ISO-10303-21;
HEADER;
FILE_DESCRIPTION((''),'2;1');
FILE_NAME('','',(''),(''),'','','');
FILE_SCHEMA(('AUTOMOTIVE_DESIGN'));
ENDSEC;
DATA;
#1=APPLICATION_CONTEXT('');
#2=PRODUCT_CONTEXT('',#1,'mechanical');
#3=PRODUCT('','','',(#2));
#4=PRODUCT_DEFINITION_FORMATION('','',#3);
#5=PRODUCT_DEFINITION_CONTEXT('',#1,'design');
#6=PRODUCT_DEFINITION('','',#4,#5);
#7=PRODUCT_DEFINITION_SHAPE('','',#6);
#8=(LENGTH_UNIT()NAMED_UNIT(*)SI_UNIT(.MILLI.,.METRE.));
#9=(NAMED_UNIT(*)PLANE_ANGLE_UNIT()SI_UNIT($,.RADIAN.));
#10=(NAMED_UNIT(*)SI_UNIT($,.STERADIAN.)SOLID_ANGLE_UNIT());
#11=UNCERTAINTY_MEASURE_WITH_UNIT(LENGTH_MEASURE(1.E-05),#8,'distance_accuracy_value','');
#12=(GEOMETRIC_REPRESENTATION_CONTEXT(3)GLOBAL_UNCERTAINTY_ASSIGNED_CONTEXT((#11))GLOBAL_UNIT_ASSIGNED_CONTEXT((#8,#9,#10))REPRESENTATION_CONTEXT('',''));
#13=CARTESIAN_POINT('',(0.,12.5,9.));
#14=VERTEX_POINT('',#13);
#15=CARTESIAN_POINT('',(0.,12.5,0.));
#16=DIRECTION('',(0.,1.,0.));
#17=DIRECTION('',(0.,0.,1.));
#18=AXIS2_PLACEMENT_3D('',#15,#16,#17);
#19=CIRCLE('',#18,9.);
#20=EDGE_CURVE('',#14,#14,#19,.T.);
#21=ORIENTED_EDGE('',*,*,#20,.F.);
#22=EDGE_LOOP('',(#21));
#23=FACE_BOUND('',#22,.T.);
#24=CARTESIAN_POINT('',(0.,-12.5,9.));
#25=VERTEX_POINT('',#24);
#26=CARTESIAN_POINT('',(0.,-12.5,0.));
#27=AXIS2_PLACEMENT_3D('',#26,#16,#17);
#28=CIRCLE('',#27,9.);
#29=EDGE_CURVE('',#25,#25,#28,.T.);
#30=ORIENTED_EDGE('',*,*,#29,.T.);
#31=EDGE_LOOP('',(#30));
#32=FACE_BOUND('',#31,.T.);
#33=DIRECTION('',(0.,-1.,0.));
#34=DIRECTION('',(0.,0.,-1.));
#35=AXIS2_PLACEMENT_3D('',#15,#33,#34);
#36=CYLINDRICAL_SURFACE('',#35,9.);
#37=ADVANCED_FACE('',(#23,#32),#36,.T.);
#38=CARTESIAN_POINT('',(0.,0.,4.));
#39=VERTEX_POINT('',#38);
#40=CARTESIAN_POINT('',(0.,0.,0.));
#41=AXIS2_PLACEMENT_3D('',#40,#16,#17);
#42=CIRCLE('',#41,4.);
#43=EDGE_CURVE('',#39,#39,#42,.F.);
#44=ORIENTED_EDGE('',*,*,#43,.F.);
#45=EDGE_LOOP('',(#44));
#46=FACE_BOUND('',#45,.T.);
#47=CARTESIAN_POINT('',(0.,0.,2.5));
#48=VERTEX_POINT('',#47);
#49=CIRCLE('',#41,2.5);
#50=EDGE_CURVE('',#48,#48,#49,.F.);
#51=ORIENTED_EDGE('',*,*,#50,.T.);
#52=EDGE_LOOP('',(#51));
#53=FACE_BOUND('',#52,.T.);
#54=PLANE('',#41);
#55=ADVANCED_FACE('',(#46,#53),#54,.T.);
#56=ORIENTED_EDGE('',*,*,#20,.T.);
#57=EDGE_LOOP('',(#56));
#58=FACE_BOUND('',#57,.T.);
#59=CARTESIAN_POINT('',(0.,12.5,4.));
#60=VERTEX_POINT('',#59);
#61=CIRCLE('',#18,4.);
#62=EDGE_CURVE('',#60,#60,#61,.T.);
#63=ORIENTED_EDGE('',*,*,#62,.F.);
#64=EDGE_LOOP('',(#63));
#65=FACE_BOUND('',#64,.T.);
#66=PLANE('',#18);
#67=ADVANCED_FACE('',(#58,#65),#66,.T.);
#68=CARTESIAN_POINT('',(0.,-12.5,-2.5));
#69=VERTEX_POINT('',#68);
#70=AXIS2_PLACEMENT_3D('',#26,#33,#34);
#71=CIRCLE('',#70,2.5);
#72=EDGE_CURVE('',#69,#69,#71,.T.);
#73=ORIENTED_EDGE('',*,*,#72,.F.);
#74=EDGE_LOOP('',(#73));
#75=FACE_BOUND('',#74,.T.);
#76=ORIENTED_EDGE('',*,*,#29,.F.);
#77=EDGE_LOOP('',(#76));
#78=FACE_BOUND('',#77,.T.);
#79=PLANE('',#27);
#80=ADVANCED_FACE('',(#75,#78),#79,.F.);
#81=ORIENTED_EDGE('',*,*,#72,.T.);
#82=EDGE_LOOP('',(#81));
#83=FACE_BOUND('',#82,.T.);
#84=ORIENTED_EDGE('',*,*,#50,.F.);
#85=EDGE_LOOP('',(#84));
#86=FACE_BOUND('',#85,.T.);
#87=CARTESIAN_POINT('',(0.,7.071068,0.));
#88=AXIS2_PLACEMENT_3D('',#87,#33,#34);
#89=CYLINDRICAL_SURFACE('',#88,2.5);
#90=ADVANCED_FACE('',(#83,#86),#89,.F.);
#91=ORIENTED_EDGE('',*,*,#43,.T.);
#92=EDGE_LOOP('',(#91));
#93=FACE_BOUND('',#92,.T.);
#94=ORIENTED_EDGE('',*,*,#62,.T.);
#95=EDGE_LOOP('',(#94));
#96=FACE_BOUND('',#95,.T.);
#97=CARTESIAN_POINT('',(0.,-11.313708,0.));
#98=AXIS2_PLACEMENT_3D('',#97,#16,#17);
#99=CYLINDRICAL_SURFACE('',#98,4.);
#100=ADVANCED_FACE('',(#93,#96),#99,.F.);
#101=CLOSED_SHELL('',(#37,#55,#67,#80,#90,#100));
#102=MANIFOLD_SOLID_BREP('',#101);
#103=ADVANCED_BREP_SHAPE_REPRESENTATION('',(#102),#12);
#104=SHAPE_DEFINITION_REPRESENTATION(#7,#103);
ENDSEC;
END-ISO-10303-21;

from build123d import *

# Parameters (mm, degrees)
SKETCH1_R           = 9
BOSS_EXTRUDE1_DEPTH = 12.5
CUT_EXTRUDE1_START  = -12.5
SKETCH2_R           = 4
CUT_EXTRUDE1_DEPTH  = 12.5
CUT_EXTRUDE2_REACH  = 30.054
SKETCH3_R           = 2.5


with BuildPart() as part:
    # Sketch1 → Boss-Extrude1 (new, symmetric)
    with BuildSketch(Plane(origin=(0, 0, 0), x_dir=(1, 0, 0), z_dir=(0, 1, 0))):
        with Locations(Location((0, 0, 0), (0, 0, 270))):
            Circle(SKETCH1_R)
    extrude(amount=BOSS_EXTRUDE1_DEPTH, both=True)

    # Sketch2 → Cut-Extrude1 (cut)
    with BuildSketch(Plane(origin=(0, 12.5, 0), x_dir=(1, 0, 0), z_dir=(0, 1, 0)).offset(CUT_EXTRUDE1_START)):
        with Locations(Location((0, 0, 0), (0, 0, 270))):
            Circle(SKETCH2_R)
    extrude(amount=CUT_EXTRUDE1_DEPTH, mode=Mode.SUBTRACT)

    # Sketch3 → Cut-Extrude2 (cut, up to next)
    with BuildSketch(Plane.XZ.offset(12.5), mode=Mode.PRIVATE) as cut_extrude2_sk1:
        with Locations(Location((0, 0, 0), (0, 0, 270))):
            Circle(SKETCH3_R)
    cut_extrude2_tool1 = extrude(cut_extrude2_sk1.sketch, amount=-CUT_EXTRUDE2_REACH, mode=Mode.PRIVATE) & part.part
    add(cut_extrude2_tool1.solids().sort_by_distance((0, -12.5, 0))[0], mode=Mode.SUBTRACT)


solid = part.part
